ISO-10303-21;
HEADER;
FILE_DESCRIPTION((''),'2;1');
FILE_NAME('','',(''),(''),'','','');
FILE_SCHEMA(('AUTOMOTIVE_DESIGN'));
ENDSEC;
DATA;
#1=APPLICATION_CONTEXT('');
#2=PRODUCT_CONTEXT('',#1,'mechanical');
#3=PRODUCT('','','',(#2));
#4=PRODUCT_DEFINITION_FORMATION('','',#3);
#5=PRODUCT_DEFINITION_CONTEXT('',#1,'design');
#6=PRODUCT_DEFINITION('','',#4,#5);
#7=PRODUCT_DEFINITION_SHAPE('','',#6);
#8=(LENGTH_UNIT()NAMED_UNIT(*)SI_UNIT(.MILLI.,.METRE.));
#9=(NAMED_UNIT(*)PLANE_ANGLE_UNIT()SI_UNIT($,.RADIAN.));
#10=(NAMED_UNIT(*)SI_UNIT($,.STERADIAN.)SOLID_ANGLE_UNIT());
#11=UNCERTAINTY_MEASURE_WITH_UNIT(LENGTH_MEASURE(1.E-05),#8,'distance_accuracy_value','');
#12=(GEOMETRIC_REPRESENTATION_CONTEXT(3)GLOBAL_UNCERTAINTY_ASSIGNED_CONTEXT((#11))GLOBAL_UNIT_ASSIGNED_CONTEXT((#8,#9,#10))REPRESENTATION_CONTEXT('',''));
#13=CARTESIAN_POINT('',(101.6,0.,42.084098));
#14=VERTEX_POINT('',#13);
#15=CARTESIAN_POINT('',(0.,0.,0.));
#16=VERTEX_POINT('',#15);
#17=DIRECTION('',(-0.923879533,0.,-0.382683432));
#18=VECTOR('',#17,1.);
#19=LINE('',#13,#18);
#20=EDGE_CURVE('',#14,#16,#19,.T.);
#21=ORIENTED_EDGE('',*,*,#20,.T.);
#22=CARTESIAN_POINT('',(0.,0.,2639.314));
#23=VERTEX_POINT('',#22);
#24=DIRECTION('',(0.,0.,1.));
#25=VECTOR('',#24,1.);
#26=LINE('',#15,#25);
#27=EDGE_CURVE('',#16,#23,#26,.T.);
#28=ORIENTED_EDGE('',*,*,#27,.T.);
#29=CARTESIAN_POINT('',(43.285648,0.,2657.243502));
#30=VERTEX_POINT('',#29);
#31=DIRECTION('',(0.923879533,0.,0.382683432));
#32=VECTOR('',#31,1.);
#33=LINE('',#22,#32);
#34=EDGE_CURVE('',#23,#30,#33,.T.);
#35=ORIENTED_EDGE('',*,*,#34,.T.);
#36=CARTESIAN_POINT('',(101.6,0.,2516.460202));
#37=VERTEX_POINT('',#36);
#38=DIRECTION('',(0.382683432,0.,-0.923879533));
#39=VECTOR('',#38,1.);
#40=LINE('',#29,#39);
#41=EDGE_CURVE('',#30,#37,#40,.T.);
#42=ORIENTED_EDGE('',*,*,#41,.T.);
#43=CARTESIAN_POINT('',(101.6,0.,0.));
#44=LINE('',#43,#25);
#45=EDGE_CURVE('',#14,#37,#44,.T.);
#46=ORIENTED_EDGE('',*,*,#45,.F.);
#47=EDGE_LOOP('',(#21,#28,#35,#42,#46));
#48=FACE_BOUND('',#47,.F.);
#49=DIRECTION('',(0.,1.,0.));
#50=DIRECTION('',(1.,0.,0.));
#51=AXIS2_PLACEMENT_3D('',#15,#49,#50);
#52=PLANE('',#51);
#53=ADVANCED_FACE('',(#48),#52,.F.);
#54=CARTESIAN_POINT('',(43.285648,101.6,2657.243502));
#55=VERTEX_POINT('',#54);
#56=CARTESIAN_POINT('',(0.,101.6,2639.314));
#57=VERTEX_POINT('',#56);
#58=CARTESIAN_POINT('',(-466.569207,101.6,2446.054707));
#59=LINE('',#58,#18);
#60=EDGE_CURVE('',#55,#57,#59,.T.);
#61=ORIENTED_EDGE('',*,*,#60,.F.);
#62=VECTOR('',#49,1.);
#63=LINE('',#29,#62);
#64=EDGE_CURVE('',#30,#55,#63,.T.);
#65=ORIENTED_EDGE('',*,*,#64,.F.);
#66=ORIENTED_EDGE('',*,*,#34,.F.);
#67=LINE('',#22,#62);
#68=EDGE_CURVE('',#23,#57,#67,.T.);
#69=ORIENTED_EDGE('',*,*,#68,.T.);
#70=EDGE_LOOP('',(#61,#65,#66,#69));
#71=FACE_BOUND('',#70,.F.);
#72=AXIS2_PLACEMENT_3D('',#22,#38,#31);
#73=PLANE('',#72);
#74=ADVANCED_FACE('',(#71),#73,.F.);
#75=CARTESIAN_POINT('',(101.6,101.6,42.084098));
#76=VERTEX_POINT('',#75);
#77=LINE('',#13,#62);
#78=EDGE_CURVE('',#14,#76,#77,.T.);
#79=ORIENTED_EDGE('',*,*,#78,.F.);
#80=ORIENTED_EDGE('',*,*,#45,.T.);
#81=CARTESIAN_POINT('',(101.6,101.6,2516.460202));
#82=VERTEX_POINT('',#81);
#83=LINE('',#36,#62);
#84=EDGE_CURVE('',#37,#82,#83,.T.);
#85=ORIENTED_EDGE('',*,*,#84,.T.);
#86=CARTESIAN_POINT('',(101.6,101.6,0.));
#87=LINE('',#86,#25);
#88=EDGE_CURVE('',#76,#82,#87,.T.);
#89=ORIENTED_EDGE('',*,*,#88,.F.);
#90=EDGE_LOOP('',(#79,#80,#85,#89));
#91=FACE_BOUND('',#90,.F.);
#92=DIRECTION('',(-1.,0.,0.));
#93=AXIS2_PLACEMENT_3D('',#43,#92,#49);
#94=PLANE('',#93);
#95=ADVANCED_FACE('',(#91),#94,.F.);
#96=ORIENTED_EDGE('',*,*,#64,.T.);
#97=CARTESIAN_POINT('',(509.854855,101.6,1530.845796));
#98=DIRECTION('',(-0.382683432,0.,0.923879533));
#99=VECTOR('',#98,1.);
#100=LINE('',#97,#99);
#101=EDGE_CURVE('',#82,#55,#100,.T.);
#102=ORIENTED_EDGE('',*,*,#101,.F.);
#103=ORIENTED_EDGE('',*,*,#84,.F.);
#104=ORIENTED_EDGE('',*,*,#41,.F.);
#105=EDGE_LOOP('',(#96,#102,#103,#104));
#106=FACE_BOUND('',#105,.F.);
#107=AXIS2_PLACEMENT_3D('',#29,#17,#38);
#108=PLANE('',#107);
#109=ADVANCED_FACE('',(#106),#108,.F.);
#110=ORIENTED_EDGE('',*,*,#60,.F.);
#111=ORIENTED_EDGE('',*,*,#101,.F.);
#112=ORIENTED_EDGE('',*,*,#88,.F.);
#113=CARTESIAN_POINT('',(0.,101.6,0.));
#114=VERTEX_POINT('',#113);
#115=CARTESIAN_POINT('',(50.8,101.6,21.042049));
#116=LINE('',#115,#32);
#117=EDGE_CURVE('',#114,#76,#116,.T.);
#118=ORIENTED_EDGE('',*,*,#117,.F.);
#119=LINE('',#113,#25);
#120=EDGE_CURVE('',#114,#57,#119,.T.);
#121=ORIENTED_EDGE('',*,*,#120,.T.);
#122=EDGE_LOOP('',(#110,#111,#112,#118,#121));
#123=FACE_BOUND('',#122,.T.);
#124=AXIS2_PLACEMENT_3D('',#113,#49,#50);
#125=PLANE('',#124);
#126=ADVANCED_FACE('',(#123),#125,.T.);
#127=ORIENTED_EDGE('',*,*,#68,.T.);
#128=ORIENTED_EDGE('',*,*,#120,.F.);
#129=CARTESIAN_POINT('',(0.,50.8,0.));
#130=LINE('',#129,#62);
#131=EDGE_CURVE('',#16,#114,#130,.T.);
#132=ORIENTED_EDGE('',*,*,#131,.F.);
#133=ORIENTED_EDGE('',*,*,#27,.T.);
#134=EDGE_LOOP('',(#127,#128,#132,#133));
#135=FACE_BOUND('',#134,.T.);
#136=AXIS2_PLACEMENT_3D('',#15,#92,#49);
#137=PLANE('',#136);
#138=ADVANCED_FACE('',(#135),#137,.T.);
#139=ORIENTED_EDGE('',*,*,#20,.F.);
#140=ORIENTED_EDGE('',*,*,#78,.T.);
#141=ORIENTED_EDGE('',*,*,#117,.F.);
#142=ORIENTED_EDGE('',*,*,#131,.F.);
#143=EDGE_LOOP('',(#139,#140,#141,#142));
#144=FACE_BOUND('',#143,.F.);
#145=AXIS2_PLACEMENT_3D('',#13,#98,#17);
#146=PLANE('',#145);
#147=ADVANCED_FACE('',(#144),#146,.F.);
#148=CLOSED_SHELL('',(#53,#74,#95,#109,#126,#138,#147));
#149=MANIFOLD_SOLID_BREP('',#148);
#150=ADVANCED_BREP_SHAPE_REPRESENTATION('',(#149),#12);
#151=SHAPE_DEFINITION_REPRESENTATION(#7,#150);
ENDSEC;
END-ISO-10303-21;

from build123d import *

# Parameters (mm, degrees)
F0_W     = 101.6
F0_H     = 101.6
F1_DEPTH = 3048
F3_DEPTH = 101.601
F5_DEPTH = 101.601
F7_DEPTH = 101.601


with BuildPart() as f1:
    # F0 (on Top) → F1 (new body)
    with BuildSketch(Plane.XY):
        with Locations((50.8, 50.8)):
            Rectangle(F0_W, F0_H)
    extrude(amount=F1_DEPTH)

    # F2 (on Front) → F3 (cut, through all)
    with BuildSketch(Plane.XZ):
        Polygon((101.6, 42.0840979371), (0, 0), (101.6, 0), align=None)
    extrude(amount=-F3_DEPTH, mode=Mode.SUBTRACT)

    # F4 (on face) → F5 (cut, through all)
    with BuildSketch(Plane.XZ):
        Polygon((0, 3048), (0, 2639.314), (101.6, 2681.3980979371), (101.6, 3048), align=None)
    extrude(amount=-F5_DEPTH, mode=Mode.SUBTRACT)

    # F6 (on face) → F7 (cut, through all)
    with BuildSketch(Plane.XZ):
        Polygon((101.6, 2681.3980979371), (43.2856477874, 2657.2435023697), (101.6, 2516.460202377), align=None)
    extrude(amount=-F7_DEPTH, mode=Mode.SUBTRACT)


solid = f1.part
